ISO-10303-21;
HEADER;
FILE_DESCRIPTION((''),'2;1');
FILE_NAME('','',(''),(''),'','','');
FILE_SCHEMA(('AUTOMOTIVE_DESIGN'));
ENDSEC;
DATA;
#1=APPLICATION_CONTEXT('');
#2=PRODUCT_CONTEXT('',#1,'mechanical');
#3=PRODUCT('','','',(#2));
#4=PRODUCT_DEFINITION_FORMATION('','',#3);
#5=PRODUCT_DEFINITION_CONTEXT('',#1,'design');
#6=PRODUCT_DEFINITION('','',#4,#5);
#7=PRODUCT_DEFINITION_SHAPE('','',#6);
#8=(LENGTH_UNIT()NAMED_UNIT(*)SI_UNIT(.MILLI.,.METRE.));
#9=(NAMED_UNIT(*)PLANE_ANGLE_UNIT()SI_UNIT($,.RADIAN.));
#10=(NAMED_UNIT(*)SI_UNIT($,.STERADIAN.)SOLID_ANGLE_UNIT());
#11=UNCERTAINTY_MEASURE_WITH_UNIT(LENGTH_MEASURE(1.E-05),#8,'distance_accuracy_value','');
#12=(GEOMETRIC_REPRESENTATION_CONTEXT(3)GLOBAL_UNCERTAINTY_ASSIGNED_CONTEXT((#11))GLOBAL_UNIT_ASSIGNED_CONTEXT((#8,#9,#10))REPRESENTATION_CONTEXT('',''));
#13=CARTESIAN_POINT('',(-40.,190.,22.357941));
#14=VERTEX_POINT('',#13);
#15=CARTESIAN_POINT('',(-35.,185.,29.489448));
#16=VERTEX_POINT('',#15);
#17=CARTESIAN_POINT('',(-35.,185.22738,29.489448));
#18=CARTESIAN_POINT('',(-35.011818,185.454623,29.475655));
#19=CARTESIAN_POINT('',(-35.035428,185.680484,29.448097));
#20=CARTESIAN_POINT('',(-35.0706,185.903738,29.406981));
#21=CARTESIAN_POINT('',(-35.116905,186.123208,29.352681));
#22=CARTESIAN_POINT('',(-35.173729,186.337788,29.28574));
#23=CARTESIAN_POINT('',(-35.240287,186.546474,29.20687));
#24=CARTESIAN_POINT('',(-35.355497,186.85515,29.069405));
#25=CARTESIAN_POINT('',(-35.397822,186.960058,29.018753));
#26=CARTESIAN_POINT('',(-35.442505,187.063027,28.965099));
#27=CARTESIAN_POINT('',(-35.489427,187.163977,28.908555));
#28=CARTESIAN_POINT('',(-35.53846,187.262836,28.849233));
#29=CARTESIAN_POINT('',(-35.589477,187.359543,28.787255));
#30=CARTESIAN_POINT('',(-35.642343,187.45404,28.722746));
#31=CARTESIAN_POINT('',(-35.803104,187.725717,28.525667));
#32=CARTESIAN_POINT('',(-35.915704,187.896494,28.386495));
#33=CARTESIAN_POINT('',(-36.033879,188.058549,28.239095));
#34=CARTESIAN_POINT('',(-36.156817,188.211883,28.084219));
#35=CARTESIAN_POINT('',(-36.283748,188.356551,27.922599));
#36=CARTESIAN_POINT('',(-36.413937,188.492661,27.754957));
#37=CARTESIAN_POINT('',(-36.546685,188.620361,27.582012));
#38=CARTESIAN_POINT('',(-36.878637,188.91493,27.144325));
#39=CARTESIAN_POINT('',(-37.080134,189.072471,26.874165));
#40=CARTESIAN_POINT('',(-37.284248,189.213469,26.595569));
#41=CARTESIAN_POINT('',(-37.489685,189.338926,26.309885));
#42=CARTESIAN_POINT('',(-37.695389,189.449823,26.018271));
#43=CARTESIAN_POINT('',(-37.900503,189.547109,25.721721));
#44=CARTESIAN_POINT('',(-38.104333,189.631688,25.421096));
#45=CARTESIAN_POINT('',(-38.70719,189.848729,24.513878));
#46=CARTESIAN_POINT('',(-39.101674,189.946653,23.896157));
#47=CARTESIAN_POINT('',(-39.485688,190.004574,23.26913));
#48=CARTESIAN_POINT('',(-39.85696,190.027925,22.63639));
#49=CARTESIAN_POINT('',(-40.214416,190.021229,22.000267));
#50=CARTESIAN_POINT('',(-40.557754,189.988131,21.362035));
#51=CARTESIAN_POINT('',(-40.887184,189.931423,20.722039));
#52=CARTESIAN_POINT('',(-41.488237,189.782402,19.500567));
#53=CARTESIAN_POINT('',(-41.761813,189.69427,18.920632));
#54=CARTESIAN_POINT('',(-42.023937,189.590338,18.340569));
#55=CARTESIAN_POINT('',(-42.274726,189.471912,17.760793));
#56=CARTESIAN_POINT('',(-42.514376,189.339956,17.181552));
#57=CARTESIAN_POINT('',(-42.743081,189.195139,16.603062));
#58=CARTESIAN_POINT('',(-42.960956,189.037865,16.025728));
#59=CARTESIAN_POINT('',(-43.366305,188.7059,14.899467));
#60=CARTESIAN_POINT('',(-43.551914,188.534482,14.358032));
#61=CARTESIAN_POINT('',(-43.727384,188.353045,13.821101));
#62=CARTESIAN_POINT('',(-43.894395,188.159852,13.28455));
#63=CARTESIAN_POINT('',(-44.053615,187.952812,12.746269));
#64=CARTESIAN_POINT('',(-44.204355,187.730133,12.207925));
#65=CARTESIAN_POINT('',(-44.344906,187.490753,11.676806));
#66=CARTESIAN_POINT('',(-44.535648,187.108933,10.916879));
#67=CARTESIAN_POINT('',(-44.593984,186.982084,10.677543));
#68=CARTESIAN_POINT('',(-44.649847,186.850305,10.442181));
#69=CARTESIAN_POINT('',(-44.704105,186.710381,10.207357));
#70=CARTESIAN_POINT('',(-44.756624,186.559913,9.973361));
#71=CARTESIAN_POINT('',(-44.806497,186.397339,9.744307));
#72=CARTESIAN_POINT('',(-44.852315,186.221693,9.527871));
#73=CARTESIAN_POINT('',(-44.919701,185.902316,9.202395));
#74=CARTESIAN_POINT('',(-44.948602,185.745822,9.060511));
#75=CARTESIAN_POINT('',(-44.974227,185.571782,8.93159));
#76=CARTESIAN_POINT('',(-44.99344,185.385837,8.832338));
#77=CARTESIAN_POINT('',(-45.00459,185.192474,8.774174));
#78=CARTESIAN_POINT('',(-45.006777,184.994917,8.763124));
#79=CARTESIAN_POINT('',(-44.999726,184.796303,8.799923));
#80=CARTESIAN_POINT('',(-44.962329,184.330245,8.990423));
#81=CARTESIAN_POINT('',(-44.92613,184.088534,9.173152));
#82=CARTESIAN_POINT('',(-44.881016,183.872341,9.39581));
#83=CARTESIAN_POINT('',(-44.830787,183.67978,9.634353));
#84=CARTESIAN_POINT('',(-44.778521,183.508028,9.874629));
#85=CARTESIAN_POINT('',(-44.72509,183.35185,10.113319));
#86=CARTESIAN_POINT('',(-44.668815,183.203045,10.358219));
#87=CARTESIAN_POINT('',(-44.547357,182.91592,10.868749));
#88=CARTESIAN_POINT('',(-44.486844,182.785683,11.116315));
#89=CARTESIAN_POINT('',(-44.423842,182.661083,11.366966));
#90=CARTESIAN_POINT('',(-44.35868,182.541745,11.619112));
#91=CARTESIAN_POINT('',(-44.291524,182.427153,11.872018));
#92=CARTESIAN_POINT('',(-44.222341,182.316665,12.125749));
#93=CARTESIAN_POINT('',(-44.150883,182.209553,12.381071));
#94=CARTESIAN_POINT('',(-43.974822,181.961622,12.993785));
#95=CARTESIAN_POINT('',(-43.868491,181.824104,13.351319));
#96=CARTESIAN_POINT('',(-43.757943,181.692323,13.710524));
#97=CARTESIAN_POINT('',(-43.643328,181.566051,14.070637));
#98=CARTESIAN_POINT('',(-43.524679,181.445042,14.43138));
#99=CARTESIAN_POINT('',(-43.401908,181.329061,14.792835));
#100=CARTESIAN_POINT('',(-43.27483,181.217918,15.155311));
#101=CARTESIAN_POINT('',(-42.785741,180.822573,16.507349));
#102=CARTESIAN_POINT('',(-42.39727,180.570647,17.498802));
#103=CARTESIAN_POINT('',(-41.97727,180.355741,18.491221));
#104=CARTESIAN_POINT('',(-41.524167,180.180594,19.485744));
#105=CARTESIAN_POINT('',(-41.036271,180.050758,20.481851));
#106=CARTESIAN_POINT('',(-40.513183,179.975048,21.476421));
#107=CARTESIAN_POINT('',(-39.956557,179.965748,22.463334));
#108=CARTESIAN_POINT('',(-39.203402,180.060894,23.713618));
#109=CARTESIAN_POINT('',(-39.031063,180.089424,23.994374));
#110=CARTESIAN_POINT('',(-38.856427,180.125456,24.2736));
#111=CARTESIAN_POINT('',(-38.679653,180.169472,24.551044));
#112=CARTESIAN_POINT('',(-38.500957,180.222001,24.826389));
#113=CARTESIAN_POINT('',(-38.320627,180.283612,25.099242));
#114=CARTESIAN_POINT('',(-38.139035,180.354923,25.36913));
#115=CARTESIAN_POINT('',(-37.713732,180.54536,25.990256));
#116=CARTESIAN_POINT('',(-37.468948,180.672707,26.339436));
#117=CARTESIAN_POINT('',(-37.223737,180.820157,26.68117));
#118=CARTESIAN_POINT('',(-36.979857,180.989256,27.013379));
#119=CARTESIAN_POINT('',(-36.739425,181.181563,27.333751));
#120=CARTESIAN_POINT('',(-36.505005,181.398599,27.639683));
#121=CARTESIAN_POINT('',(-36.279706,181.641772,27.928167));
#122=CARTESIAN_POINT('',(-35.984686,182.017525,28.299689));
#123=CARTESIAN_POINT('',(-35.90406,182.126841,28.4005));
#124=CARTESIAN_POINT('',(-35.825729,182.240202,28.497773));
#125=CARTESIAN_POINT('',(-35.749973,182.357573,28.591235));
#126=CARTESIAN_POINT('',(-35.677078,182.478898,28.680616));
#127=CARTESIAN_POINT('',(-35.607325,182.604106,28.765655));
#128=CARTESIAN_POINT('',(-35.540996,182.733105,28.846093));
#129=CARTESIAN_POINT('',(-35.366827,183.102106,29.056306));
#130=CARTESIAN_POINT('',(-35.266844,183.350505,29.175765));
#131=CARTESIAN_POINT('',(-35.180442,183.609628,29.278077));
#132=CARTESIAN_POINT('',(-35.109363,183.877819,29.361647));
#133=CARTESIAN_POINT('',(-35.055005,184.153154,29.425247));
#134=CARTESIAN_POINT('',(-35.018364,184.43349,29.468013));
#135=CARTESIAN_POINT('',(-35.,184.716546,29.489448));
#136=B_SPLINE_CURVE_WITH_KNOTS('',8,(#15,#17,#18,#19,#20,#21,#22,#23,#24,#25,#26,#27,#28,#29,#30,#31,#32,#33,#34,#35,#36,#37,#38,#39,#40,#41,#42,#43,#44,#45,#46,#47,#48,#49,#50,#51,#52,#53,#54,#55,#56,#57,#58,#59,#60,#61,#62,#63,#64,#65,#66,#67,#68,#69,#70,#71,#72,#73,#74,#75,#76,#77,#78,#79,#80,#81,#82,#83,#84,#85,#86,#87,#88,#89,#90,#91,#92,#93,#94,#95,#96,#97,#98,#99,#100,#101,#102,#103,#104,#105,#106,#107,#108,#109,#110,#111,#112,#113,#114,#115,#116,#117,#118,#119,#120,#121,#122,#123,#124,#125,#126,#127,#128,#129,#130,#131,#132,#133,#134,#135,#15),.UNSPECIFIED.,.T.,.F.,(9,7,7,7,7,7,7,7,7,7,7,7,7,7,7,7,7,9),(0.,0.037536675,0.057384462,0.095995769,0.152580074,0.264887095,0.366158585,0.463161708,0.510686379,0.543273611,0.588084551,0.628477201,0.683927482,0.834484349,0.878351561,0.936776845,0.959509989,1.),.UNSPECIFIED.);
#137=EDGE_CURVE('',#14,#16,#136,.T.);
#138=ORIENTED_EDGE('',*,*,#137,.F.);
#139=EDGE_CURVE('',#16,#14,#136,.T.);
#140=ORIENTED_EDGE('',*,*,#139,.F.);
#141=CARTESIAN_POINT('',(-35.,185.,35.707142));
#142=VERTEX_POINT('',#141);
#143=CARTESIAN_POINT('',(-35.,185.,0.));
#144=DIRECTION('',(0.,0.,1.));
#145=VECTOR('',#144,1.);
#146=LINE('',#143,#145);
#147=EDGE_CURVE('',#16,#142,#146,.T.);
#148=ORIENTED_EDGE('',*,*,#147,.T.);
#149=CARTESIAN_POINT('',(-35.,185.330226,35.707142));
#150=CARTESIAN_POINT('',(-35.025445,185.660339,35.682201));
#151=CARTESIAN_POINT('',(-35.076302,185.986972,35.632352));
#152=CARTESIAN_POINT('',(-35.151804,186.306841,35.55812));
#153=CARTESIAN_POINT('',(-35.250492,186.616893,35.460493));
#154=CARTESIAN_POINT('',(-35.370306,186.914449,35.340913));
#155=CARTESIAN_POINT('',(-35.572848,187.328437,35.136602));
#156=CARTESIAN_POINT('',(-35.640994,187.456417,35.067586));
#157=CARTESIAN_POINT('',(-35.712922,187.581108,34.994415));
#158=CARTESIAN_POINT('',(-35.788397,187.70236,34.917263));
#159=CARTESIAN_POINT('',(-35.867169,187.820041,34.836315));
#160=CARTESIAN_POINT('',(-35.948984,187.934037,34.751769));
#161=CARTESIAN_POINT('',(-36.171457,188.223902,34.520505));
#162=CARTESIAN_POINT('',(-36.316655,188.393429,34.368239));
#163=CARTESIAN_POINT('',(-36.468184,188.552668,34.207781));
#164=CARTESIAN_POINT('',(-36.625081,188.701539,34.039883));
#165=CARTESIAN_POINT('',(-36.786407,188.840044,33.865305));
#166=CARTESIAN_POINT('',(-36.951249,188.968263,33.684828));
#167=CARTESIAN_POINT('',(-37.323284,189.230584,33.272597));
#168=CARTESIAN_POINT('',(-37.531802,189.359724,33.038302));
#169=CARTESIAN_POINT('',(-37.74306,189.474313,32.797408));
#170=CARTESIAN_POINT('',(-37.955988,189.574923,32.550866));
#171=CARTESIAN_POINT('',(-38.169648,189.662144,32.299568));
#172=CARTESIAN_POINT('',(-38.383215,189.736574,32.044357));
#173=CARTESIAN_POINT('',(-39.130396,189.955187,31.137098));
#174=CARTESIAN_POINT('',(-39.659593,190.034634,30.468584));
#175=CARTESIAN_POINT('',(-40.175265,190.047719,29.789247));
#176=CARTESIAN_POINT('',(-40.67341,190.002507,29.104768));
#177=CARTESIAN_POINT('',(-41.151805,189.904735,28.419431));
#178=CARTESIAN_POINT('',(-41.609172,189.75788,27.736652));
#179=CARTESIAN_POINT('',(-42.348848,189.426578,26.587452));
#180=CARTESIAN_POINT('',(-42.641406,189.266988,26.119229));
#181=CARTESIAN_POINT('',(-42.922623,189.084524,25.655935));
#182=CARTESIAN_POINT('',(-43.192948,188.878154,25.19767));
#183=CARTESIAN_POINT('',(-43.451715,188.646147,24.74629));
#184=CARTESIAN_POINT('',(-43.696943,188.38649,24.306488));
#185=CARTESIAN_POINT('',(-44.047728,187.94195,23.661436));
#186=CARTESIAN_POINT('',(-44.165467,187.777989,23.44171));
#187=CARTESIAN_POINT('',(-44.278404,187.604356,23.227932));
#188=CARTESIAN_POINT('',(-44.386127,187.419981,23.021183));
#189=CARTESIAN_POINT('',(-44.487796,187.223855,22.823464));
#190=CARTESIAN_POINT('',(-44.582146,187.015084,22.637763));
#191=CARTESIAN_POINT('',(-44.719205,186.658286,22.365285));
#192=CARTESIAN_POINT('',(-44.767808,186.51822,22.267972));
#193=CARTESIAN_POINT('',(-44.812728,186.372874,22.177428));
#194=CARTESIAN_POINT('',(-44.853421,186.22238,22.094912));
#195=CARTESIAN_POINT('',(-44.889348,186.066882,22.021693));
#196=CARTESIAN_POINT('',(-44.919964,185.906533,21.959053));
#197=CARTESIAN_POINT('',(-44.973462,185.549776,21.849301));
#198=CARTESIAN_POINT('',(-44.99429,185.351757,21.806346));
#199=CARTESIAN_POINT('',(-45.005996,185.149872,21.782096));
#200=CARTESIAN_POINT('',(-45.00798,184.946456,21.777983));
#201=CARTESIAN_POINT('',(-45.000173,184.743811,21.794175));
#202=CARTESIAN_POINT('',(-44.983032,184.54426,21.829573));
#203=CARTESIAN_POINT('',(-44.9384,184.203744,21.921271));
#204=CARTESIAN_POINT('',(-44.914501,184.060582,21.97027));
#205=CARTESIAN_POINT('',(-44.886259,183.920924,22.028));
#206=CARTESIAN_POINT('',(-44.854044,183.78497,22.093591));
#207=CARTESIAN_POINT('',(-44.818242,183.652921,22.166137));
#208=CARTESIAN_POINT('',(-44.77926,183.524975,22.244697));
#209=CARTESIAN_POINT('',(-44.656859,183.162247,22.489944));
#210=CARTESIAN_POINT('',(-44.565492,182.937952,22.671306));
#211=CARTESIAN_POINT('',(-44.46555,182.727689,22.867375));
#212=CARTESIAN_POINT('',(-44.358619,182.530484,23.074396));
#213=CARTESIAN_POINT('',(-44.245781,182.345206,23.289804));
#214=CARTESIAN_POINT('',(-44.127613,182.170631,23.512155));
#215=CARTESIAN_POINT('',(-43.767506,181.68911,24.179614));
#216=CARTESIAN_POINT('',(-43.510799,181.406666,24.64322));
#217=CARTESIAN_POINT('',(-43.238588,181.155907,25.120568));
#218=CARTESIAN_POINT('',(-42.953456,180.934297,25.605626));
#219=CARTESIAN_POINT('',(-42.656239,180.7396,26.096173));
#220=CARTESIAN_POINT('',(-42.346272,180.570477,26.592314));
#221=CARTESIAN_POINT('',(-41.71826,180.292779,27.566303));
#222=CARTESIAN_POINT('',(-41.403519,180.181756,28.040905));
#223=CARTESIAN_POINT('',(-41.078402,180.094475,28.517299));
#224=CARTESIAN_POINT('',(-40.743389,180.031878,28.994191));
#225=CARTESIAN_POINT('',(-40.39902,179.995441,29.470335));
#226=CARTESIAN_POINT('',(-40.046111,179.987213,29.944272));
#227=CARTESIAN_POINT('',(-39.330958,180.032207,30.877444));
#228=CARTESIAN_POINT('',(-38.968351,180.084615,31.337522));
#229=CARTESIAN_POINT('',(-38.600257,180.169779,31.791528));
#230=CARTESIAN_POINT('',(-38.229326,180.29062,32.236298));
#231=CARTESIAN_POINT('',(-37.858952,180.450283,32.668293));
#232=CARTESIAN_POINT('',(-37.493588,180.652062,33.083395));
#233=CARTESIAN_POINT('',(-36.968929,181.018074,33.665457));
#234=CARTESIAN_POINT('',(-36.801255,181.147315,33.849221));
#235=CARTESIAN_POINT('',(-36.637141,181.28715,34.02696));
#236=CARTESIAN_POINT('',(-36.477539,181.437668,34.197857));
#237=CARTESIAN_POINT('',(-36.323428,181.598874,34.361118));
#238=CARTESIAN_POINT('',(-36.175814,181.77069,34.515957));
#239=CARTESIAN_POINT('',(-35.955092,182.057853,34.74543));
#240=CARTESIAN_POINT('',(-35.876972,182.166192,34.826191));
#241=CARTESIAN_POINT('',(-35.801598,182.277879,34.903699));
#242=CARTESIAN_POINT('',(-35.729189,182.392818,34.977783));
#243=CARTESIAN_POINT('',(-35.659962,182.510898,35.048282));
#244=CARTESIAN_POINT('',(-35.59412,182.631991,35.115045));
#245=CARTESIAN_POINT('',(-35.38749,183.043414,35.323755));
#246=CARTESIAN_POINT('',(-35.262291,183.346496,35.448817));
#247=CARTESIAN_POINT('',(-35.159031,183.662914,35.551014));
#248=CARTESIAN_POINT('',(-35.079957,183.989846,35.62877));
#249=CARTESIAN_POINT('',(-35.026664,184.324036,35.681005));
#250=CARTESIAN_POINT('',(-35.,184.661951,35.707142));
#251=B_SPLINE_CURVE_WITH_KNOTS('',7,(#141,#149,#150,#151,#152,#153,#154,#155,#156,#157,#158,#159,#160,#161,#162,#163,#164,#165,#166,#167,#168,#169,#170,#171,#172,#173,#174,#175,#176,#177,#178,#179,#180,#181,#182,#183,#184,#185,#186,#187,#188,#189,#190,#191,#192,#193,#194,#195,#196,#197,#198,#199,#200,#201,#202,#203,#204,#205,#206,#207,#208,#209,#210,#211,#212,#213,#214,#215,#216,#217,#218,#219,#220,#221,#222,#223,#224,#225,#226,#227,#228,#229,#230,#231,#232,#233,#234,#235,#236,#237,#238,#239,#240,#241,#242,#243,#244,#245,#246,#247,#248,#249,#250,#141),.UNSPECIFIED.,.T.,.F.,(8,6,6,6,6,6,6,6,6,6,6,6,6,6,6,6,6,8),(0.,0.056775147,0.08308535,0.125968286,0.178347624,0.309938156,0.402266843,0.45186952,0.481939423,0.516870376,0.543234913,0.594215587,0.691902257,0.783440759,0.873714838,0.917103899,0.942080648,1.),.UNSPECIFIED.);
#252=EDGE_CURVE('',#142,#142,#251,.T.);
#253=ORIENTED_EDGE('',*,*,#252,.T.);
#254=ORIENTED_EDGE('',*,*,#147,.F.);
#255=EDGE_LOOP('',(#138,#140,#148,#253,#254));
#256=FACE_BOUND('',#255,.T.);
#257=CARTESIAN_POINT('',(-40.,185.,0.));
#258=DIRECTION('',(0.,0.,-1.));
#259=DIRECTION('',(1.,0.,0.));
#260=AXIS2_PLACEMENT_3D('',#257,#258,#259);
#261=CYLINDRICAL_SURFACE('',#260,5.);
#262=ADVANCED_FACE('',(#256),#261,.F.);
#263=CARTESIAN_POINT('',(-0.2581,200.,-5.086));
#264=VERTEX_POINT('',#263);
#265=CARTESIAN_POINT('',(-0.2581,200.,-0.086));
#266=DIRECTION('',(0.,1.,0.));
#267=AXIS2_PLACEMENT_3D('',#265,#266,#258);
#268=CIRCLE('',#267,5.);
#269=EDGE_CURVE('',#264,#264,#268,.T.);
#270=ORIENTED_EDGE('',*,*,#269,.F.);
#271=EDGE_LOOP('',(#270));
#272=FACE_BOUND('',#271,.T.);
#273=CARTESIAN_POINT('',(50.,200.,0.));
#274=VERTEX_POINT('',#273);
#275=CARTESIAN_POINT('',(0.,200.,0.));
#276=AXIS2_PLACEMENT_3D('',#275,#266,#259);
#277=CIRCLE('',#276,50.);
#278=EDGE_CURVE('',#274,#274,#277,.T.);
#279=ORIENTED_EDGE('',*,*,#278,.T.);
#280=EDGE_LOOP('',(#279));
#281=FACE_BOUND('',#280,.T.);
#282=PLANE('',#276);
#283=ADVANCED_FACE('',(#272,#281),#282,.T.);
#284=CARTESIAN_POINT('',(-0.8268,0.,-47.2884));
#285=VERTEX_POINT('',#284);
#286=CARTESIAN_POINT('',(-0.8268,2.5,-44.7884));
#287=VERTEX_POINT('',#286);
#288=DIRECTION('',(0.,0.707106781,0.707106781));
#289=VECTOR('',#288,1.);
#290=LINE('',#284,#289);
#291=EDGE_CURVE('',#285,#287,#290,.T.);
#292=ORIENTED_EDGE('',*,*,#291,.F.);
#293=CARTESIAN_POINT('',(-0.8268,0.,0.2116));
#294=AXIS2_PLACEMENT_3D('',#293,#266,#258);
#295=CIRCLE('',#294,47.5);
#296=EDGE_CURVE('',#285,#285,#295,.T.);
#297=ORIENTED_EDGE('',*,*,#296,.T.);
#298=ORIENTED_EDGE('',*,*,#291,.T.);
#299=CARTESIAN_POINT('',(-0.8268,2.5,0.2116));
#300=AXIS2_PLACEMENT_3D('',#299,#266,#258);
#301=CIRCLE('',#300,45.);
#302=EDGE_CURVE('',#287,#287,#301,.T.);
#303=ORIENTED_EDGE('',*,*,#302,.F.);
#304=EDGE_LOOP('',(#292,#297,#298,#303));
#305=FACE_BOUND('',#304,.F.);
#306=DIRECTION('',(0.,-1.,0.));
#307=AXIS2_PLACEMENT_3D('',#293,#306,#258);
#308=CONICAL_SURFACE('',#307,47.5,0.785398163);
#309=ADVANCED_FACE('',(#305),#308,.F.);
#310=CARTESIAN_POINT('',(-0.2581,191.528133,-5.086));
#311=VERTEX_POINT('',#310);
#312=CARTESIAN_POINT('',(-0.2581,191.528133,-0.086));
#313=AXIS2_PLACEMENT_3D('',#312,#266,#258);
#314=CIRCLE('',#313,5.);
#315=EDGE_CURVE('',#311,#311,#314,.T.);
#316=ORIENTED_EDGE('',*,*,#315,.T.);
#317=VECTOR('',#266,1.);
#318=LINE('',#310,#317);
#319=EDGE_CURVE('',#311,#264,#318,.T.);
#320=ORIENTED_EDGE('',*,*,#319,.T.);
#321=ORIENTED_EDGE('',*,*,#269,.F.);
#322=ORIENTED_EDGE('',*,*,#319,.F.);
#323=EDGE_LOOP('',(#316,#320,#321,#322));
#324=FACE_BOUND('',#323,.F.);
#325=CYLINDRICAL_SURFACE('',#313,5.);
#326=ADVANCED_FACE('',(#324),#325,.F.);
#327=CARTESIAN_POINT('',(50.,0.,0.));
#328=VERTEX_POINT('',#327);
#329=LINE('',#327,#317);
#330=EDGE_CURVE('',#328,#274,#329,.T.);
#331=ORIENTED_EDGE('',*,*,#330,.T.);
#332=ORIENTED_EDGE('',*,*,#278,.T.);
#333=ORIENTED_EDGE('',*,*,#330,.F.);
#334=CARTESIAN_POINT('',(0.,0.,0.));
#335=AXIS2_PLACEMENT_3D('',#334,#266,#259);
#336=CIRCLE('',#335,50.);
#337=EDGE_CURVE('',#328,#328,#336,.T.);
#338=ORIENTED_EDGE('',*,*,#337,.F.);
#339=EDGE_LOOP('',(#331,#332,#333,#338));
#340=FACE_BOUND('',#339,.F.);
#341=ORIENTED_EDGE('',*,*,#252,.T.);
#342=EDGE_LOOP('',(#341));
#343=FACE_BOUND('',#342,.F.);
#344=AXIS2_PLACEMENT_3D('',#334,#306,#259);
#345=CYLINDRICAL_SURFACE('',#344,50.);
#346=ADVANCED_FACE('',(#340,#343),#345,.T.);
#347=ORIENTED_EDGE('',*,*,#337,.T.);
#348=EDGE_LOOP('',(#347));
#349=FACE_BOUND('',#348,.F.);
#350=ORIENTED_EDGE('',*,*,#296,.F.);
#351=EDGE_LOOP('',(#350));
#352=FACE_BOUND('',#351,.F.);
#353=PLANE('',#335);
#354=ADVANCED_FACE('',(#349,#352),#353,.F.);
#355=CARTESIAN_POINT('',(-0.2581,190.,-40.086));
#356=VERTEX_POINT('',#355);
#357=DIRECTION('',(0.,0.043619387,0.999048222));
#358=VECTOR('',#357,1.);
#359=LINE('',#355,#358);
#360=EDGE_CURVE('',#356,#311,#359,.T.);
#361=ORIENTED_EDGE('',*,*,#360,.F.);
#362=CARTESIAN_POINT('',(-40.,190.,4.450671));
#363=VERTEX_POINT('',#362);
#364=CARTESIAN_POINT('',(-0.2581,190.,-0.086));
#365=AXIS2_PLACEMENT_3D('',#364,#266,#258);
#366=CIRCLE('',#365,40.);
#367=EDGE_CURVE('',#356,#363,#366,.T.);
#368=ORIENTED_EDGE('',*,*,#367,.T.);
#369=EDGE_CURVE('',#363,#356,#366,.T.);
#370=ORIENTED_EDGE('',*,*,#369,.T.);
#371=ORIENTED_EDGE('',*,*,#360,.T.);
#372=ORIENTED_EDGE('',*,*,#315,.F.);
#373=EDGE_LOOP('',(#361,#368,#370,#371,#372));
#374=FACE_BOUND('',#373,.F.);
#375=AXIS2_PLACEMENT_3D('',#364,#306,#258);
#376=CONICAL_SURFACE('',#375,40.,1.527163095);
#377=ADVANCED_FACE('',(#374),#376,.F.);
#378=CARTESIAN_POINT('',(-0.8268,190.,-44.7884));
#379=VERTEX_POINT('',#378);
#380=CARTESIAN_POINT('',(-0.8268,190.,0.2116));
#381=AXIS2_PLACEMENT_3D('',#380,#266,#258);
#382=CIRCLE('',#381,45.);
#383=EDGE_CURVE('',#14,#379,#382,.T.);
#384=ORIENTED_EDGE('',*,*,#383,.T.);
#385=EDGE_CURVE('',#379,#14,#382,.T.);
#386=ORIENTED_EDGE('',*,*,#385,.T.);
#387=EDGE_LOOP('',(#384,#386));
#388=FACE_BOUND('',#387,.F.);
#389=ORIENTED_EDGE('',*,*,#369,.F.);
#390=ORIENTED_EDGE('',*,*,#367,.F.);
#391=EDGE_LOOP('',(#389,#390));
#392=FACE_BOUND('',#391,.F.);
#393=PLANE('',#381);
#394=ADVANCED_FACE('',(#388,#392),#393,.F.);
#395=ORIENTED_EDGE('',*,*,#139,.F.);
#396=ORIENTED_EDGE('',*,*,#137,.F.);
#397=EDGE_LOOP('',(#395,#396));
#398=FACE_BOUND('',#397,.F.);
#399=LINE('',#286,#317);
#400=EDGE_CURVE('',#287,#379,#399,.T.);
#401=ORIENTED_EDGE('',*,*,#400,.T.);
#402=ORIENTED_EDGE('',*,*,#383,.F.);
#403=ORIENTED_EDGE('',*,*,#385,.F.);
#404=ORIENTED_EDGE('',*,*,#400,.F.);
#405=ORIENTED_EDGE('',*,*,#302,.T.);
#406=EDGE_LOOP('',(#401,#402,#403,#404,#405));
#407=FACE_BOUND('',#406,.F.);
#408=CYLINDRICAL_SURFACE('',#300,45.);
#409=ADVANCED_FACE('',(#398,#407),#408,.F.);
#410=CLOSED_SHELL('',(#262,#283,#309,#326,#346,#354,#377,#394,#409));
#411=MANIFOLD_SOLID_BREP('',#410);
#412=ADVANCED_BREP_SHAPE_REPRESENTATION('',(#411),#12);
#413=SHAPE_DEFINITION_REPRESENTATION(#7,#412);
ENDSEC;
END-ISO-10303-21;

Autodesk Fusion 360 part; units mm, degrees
sketch "Sketch1" plane through (0, 0, 0) normal (0, 1, 0) x (1, 0, 0)
  circle A0 centre (0, 0) radius 50
  dimension "d1" = 100
extrude "Extrude1" add sketch "Sketch1" along normal blind 200
hole "Hole1" at (-0.8268, 0, 0.2116) direction (0, 1, 0) diameter 90 depth 190 tip angle 180 countersink diameter 95 countersink angle 90
sketch "Sketch2" plane through (0, 0, 0) normal (0, 0, 1) x (1, 0, 0)
  circle A0 centre (-40, 185) radius 5
  dimension "d9" = 10
extrude "Extrude2" cut sketch "Sketch2" along normal blind 60
hole "Hole2" at (-0.2581, 190, -0.086) direction (0, 1, 0) diameter 10 depth 4411.663 tip angle 180 countersink diameter 80 countersink angle 175
